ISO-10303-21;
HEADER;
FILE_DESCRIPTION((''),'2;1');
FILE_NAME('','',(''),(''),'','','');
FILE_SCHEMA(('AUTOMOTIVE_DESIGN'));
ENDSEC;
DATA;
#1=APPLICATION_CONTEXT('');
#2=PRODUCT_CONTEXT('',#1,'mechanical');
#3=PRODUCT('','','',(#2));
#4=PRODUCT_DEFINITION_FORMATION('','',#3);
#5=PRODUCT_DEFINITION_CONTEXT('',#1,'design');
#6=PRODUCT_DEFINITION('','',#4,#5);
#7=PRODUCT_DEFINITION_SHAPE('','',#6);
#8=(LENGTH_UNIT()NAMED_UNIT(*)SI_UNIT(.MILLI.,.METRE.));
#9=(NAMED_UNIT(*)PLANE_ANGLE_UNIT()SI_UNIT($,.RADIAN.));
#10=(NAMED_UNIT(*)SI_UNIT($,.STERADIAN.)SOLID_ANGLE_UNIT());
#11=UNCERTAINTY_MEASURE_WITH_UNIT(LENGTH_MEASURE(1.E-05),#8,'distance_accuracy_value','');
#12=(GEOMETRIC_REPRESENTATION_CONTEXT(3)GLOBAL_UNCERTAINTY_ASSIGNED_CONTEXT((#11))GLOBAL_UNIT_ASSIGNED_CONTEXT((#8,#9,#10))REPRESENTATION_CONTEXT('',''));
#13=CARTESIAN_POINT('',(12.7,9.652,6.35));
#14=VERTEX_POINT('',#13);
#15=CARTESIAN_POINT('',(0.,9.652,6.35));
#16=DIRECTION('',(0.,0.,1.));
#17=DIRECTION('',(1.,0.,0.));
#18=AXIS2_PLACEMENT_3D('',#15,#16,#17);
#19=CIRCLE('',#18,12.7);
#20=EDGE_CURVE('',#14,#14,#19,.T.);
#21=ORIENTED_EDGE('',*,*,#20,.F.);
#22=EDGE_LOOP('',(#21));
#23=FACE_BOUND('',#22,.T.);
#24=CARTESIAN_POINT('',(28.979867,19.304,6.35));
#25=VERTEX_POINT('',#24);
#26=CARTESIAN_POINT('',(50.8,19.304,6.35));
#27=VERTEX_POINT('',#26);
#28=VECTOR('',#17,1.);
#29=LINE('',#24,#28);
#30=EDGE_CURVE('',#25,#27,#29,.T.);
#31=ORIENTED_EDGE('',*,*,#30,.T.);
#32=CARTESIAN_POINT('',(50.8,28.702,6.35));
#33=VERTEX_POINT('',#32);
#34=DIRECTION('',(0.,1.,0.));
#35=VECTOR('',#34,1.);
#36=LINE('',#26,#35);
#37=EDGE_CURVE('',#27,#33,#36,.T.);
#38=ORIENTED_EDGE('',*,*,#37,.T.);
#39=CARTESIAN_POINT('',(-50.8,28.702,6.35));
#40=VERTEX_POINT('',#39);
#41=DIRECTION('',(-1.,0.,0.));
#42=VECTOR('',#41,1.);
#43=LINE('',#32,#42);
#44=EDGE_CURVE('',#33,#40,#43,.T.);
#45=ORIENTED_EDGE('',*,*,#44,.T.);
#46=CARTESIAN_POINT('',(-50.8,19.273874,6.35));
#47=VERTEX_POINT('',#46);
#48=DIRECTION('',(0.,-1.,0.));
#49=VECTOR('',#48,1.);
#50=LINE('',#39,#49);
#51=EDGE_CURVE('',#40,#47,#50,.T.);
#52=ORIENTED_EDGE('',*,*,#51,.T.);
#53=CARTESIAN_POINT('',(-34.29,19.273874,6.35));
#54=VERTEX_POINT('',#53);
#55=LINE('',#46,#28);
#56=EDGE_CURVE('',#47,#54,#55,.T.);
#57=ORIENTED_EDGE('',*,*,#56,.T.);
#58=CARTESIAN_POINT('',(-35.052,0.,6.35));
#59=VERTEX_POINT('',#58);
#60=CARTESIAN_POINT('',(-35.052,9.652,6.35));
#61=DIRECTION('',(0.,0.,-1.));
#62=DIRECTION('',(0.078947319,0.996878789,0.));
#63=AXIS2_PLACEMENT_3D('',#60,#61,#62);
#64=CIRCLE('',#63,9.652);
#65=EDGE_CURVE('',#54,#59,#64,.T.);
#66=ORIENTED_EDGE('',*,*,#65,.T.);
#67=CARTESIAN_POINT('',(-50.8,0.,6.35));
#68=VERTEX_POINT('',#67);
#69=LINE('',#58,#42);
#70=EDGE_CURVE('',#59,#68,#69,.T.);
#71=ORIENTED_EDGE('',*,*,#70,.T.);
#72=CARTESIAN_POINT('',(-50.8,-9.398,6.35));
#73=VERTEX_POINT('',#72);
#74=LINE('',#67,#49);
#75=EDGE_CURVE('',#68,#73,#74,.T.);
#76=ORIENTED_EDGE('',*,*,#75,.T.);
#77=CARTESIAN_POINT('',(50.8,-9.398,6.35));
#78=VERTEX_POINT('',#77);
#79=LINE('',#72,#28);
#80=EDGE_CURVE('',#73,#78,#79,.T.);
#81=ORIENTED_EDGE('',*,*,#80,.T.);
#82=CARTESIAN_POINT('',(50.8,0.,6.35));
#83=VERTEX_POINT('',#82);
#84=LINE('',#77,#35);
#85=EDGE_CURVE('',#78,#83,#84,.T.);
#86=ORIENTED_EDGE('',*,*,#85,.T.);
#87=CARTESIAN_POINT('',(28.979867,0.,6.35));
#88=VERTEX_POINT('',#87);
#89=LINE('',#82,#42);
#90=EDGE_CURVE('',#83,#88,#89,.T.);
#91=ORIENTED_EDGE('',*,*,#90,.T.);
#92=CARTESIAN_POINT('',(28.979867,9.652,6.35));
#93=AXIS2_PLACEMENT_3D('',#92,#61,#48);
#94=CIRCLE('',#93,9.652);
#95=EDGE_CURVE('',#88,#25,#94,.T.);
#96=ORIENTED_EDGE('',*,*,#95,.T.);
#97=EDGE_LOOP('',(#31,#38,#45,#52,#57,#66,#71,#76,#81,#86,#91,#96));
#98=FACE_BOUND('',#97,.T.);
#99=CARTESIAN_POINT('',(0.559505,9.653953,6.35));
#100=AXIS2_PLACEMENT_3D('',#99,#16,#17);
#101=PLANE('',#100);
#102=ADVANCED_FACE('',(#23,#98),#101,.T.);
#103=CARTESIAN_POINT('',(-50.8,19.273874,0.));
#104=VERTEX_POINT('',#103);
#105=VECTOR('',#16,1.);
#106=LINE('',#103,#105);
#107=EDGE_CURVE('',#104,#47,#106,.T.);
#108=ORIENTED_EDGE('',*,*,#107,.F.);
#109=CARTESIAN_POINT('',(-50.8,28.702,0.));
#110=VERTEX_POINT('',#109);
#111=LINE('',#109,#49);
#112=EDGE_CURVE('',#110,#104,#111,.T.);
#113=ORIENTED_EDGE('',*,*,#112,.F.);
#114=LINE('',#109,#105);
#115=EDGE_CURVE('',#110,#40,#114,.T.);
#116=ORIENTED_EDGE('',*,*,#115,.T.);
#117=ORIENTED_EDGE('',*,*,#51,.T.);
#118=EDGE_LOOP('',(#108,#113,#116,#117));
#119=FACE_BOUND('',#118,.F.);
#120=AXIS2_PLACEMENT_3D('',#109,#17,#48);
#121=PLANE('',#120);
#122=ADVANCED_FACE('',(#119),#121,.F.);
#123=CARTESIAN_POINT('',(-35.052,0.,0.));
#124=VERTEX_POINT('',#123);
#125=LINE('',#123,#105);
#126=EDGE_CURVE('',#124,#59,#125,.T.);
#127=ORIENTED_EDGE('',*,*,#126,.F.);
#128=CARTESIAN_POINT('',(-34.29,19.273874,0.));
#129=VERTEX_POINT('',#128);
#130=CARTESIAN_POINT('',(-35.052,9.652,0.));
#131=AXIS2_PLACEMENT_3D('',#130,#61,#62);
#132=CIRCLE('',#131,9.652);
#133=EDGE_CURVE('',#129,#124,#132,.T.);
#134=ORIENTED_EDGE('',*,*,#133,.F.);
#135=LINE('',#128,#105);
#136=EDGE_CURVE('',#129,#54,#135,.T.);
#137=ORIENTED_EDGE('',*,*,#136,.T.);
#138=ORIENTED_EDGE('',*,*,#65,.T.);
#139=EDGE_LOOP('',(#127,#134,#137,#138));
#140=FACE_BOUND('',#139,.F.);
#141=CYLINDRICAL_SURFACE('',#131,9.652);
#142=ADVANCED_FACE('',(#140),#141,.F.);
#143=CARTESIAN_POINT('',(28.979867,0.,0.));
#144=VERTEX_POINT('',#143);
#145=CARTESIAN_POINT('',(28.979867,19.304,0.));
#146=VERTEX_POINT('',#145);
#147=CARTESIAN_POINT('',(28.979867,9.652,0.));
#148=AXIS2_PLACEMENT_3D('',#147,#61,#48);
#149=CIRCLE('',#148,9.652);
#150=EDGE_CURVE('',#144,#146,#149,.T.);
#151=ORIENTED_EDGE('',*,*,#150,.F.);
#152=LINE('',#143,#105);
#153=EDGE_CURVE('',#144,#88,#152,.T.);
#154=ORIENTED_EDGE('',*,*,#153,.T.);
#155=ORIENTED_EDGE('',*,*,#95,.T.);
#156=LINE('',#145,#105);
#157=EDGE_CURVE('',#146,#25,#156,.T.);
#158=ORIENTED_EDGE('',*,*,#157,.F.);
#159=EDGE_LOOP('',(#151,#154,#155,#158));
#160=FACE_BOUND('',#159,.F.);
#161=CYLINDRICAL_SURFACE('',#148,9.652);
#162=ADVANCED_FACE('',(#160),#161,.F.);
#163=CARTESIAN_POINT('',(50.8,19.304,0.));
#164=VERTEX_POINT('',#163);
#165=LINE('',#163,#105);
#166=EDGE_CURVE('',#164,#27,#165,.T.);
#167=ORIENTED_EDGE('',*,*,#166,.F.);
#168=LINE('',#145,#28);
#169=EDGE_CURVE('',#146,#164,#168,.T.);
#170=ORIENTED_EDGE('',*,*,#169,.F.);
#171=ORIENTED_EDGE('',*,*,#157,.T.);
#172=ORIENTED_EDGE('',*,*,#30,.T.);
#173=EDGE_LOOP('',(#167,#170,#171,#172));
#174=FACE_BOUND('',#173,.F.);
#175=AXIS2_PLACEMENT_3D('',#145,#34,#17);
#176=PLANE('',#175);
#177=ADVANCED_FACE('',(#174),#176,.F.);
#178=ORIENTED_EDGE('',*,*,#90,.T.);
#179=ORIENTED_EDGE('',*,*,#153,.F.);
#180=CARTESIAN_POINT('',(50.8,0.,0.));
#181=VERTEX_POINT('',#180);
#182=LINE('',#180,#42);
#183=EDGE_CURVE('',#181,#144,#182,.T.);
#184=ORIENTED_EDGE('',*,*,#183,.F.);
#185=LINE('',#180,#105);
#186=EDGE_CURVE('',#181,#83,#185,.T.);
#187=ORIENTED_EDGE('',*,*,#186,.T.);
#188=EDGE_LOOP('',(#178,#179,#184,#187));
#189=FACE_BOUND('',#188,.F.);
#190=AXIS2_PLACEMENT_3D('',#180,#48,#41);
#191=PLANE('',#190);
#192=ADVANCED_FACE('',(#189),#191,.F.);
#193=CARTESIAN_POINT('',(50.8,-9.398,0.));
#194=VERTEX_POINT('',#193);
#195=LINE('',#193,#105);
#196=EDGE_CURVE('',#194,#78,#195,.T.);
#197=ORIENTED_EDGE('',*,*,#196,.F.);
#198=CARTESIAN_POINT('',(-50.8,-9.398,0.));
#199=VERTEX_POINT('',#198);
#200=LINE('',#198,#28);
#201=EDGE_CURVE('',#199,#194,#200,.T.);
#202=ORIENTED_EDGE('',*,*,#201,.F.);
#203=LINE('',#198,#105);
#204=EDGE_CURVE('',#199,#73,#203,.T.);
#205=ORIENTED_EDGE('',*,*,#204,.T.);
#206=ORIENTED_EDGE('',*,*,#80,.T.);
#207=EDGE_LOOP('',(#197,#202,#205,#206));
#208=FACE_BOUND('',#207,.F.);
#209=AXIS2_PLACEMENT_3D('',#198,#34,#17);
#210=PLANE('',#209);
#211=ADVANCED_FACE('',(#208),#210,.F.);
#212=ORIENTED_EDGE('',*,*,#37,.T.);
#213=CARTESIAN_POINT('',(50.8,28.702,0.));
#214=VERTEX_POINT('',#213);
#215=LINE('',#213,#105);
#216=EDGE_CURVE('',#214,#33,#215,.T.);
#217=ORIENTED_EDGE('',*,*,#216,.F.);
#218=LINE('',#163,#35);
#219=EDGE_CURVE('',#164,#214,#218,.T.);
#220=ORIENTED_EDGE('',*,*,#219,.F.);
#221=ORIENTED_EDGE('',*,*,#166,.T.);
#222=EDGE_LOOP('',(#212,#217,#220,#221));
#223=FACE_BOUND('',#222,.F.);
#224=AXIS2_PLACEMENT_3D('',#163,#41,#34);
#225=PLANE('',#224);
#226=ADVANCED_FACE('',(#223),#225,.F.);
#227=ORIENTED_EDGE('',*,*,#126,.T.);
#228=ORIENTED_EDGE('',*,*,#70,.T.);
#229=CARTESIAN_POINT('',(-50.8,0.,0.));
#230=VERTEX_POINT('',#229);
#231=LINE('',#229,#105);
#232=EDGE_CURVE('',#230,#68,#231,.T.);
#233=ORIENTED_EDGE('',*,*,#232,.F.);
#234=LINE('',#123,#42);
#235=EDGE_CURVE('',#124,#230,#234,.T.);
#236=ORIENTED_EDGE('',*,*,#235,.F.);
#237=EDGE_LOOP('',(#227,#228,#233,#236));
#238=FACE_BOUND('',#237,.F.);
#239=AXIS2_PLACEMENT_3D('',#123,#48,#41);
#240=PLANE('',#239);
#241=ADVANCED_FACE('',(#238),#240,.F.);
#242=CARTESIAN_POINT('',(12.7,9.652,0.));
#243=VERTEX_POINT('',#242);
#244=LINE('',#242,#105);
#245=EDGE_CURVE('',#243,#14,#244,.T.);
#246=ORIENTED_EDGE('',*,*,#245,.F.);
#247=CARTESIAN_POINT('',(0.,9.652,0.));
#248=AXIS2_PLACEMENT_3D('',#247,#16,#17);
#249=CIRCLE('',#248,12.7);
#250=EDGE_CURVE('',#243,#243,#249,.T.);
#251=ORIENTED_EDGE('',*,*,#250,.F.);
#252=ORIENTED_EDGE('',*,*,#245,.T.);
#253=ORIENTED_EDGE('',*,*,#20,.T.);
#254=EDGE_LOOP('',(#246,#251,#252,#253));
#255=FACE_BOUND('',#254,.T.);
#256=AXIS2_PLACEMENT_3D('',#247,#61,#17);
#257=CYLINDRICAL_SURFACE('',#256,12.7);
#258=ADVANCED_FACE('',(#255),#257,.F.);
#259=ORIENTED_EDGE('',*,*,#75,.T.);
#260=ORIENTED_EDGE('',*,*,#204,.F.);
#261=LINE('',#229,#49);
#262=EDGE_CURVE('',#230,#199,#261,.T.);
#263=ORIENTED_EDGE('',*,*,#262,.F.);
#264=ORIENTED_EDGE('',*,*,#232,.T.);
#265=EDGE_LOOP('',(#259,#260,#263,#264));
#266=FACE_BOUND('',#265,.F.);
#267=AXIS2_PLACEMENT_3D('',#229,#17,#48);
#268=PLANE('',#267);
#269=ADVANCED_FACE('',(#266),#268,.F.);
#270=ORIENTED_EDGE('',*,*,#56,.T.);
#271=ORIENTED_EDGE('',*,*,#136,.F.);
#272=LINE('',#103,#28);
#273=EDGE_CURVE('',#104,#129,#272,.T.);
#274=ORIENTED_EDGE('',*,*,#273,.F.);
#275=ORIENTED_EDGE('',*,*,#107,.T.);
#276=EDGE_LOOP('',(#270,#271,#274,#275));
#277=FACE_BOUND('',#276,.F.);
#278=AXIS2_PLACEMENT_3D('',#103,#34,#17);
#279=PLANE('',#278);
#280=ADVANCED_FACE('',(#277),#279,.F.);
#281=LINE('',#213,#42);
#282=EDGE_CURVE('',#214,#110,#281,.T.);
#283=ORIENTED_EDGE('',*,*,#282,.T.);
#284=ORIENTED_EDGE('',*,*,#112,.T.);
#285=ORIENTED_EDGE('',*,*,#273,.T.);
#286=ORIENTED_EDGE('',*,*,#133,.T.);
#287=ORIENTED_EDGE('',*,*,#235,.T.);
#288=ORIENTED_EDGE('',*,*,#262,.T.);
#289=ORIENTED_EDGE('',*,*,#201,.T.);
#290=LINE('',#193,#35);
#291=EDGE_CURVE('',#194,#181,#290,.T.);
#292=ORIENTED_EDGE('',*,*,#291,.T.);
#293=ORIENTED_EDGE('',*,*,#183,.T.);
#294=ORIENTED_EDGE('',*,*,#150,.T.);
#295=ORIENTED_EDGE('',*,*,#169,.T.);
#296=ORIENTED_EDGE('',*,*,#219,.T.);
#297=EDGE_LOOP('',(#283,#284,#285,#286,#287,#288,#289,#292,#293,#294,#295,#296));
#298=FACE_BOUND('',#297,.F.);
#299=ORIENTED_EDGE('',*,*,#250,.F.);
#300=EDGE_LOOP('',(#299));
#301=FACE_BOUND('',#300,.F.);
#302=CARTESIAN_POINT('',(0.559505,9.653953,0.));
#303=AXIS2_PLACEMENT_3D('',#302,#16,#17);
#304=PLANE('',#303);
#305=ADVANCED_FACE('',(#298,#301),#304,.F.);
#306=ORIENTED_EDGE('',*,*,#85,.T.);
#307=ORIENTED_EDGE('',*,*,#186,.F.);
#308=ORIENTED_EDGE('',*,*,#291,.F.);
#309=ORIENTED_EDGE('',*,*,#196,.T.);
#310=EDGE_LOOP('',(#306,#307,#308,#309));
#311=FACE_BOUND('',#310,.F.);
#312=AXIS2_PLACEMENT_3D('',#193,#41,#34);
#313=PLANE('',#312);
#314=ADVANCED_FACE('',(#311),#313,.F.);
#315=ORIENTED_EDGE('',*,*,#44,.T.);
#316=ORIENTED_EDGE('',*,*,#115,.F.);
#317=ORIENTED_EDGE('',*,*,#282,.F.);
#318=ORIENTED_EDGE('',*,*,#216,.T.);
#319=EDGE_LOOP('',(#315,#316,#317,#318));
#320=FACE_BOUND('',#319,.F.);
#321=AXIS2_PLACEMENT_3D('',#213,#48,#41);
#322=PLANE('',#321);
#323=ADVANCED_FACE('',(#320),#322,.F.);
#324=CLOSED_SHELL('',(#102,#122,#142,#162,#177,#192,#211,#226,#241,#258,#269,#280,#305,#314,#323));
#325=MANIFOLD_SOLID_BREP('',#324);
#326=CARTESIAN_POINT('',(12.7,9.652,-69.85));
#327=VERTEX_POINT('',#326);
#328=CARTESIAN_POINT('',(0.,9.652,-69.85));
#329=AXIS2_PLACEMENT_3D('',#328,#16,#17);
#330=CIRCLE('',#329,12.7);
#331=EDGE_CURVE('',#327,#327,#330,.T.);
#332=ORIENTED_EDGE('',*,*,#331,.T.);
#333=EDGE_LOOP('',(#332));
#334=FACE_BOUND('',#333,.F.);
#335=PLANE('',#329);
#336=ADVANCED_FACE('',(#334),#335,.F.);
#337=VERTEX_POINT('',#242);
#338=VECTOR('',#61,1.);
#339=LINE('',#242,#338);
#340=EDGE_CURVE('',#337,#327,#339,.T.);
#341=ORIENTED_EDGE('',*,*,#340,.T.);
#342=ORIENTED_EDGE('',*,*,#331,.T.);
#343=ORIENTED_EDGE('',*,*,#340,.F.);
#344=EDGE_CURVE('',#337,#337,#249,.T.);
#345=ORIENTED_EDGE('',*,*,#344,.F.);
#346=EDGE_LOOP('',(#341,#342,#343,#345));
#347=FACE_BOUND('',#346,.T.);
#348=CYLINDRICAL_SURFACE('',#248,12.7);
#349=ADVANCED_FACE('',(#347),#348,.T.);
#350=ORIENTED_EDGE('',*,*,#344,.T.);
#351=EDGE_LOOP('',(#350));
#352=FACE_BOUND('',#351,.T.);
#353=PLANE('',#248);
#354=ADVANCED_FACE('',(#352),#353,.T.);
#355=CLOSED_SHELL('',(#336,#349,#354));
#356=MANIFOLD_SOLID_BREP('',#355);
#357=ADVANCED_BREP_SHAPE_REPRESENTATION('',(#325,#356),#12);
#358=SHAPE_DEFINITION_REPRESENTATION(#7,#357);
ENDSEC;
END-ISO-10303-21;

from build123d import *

# Parameters (mm, degrees)
F0_R     = 12.7
F1_DEPTH = 6.35
F2_R     = 12.7
F3_DEPTH = 69.85


with BuildPart() as f1:
    # F0 (on Top) → F1 (new body)
    with BuildSketch(Plane.XY):
        with BuildLine():
            Line((-50.8, 28.702), (-50.8, 19.273874))
            Line((-50.8, 19.273874), (-34.29, 19.273874))
            ThreePointArc((-34.29, 19.273874), (-25.407534, 9.270702), (-35.052, 0))
            Line((-35.052, 0), (-50.8, 0))
            Line((-50.8, 0), (-50.8, -9.398))
            Line((-50.8, -9.398), (50.8, -9.398))
            Line((50.8, -9.398), (50.8, 0))
            Line((50.8, 0), (28.979867, 0))
            ThreePointArc((28.979867, 0), (19.327867, 9.652), (28.979867, 19.304))
            Line((28.979867, 19.304), (50.8, 19.304))
            Line((50.8, 19.304), (50.8, 28.702))
            Line((50.8, 28.702), (-50.8, 28.702))
        make_face()
        with Locations((0, 9.652)):
            Circle(F0_R, mode=Mode.SUBTRACT)
    extrude(amount=F1_DEPTH)

    # F2 (on Top) → F3 (join)
    with BuildSketch(Plane.XY):
        with Locations((0, 9.652)):
            Circle(F2_R)
    extrude(amount=-F3_DEPTH)


solid = f1.part
